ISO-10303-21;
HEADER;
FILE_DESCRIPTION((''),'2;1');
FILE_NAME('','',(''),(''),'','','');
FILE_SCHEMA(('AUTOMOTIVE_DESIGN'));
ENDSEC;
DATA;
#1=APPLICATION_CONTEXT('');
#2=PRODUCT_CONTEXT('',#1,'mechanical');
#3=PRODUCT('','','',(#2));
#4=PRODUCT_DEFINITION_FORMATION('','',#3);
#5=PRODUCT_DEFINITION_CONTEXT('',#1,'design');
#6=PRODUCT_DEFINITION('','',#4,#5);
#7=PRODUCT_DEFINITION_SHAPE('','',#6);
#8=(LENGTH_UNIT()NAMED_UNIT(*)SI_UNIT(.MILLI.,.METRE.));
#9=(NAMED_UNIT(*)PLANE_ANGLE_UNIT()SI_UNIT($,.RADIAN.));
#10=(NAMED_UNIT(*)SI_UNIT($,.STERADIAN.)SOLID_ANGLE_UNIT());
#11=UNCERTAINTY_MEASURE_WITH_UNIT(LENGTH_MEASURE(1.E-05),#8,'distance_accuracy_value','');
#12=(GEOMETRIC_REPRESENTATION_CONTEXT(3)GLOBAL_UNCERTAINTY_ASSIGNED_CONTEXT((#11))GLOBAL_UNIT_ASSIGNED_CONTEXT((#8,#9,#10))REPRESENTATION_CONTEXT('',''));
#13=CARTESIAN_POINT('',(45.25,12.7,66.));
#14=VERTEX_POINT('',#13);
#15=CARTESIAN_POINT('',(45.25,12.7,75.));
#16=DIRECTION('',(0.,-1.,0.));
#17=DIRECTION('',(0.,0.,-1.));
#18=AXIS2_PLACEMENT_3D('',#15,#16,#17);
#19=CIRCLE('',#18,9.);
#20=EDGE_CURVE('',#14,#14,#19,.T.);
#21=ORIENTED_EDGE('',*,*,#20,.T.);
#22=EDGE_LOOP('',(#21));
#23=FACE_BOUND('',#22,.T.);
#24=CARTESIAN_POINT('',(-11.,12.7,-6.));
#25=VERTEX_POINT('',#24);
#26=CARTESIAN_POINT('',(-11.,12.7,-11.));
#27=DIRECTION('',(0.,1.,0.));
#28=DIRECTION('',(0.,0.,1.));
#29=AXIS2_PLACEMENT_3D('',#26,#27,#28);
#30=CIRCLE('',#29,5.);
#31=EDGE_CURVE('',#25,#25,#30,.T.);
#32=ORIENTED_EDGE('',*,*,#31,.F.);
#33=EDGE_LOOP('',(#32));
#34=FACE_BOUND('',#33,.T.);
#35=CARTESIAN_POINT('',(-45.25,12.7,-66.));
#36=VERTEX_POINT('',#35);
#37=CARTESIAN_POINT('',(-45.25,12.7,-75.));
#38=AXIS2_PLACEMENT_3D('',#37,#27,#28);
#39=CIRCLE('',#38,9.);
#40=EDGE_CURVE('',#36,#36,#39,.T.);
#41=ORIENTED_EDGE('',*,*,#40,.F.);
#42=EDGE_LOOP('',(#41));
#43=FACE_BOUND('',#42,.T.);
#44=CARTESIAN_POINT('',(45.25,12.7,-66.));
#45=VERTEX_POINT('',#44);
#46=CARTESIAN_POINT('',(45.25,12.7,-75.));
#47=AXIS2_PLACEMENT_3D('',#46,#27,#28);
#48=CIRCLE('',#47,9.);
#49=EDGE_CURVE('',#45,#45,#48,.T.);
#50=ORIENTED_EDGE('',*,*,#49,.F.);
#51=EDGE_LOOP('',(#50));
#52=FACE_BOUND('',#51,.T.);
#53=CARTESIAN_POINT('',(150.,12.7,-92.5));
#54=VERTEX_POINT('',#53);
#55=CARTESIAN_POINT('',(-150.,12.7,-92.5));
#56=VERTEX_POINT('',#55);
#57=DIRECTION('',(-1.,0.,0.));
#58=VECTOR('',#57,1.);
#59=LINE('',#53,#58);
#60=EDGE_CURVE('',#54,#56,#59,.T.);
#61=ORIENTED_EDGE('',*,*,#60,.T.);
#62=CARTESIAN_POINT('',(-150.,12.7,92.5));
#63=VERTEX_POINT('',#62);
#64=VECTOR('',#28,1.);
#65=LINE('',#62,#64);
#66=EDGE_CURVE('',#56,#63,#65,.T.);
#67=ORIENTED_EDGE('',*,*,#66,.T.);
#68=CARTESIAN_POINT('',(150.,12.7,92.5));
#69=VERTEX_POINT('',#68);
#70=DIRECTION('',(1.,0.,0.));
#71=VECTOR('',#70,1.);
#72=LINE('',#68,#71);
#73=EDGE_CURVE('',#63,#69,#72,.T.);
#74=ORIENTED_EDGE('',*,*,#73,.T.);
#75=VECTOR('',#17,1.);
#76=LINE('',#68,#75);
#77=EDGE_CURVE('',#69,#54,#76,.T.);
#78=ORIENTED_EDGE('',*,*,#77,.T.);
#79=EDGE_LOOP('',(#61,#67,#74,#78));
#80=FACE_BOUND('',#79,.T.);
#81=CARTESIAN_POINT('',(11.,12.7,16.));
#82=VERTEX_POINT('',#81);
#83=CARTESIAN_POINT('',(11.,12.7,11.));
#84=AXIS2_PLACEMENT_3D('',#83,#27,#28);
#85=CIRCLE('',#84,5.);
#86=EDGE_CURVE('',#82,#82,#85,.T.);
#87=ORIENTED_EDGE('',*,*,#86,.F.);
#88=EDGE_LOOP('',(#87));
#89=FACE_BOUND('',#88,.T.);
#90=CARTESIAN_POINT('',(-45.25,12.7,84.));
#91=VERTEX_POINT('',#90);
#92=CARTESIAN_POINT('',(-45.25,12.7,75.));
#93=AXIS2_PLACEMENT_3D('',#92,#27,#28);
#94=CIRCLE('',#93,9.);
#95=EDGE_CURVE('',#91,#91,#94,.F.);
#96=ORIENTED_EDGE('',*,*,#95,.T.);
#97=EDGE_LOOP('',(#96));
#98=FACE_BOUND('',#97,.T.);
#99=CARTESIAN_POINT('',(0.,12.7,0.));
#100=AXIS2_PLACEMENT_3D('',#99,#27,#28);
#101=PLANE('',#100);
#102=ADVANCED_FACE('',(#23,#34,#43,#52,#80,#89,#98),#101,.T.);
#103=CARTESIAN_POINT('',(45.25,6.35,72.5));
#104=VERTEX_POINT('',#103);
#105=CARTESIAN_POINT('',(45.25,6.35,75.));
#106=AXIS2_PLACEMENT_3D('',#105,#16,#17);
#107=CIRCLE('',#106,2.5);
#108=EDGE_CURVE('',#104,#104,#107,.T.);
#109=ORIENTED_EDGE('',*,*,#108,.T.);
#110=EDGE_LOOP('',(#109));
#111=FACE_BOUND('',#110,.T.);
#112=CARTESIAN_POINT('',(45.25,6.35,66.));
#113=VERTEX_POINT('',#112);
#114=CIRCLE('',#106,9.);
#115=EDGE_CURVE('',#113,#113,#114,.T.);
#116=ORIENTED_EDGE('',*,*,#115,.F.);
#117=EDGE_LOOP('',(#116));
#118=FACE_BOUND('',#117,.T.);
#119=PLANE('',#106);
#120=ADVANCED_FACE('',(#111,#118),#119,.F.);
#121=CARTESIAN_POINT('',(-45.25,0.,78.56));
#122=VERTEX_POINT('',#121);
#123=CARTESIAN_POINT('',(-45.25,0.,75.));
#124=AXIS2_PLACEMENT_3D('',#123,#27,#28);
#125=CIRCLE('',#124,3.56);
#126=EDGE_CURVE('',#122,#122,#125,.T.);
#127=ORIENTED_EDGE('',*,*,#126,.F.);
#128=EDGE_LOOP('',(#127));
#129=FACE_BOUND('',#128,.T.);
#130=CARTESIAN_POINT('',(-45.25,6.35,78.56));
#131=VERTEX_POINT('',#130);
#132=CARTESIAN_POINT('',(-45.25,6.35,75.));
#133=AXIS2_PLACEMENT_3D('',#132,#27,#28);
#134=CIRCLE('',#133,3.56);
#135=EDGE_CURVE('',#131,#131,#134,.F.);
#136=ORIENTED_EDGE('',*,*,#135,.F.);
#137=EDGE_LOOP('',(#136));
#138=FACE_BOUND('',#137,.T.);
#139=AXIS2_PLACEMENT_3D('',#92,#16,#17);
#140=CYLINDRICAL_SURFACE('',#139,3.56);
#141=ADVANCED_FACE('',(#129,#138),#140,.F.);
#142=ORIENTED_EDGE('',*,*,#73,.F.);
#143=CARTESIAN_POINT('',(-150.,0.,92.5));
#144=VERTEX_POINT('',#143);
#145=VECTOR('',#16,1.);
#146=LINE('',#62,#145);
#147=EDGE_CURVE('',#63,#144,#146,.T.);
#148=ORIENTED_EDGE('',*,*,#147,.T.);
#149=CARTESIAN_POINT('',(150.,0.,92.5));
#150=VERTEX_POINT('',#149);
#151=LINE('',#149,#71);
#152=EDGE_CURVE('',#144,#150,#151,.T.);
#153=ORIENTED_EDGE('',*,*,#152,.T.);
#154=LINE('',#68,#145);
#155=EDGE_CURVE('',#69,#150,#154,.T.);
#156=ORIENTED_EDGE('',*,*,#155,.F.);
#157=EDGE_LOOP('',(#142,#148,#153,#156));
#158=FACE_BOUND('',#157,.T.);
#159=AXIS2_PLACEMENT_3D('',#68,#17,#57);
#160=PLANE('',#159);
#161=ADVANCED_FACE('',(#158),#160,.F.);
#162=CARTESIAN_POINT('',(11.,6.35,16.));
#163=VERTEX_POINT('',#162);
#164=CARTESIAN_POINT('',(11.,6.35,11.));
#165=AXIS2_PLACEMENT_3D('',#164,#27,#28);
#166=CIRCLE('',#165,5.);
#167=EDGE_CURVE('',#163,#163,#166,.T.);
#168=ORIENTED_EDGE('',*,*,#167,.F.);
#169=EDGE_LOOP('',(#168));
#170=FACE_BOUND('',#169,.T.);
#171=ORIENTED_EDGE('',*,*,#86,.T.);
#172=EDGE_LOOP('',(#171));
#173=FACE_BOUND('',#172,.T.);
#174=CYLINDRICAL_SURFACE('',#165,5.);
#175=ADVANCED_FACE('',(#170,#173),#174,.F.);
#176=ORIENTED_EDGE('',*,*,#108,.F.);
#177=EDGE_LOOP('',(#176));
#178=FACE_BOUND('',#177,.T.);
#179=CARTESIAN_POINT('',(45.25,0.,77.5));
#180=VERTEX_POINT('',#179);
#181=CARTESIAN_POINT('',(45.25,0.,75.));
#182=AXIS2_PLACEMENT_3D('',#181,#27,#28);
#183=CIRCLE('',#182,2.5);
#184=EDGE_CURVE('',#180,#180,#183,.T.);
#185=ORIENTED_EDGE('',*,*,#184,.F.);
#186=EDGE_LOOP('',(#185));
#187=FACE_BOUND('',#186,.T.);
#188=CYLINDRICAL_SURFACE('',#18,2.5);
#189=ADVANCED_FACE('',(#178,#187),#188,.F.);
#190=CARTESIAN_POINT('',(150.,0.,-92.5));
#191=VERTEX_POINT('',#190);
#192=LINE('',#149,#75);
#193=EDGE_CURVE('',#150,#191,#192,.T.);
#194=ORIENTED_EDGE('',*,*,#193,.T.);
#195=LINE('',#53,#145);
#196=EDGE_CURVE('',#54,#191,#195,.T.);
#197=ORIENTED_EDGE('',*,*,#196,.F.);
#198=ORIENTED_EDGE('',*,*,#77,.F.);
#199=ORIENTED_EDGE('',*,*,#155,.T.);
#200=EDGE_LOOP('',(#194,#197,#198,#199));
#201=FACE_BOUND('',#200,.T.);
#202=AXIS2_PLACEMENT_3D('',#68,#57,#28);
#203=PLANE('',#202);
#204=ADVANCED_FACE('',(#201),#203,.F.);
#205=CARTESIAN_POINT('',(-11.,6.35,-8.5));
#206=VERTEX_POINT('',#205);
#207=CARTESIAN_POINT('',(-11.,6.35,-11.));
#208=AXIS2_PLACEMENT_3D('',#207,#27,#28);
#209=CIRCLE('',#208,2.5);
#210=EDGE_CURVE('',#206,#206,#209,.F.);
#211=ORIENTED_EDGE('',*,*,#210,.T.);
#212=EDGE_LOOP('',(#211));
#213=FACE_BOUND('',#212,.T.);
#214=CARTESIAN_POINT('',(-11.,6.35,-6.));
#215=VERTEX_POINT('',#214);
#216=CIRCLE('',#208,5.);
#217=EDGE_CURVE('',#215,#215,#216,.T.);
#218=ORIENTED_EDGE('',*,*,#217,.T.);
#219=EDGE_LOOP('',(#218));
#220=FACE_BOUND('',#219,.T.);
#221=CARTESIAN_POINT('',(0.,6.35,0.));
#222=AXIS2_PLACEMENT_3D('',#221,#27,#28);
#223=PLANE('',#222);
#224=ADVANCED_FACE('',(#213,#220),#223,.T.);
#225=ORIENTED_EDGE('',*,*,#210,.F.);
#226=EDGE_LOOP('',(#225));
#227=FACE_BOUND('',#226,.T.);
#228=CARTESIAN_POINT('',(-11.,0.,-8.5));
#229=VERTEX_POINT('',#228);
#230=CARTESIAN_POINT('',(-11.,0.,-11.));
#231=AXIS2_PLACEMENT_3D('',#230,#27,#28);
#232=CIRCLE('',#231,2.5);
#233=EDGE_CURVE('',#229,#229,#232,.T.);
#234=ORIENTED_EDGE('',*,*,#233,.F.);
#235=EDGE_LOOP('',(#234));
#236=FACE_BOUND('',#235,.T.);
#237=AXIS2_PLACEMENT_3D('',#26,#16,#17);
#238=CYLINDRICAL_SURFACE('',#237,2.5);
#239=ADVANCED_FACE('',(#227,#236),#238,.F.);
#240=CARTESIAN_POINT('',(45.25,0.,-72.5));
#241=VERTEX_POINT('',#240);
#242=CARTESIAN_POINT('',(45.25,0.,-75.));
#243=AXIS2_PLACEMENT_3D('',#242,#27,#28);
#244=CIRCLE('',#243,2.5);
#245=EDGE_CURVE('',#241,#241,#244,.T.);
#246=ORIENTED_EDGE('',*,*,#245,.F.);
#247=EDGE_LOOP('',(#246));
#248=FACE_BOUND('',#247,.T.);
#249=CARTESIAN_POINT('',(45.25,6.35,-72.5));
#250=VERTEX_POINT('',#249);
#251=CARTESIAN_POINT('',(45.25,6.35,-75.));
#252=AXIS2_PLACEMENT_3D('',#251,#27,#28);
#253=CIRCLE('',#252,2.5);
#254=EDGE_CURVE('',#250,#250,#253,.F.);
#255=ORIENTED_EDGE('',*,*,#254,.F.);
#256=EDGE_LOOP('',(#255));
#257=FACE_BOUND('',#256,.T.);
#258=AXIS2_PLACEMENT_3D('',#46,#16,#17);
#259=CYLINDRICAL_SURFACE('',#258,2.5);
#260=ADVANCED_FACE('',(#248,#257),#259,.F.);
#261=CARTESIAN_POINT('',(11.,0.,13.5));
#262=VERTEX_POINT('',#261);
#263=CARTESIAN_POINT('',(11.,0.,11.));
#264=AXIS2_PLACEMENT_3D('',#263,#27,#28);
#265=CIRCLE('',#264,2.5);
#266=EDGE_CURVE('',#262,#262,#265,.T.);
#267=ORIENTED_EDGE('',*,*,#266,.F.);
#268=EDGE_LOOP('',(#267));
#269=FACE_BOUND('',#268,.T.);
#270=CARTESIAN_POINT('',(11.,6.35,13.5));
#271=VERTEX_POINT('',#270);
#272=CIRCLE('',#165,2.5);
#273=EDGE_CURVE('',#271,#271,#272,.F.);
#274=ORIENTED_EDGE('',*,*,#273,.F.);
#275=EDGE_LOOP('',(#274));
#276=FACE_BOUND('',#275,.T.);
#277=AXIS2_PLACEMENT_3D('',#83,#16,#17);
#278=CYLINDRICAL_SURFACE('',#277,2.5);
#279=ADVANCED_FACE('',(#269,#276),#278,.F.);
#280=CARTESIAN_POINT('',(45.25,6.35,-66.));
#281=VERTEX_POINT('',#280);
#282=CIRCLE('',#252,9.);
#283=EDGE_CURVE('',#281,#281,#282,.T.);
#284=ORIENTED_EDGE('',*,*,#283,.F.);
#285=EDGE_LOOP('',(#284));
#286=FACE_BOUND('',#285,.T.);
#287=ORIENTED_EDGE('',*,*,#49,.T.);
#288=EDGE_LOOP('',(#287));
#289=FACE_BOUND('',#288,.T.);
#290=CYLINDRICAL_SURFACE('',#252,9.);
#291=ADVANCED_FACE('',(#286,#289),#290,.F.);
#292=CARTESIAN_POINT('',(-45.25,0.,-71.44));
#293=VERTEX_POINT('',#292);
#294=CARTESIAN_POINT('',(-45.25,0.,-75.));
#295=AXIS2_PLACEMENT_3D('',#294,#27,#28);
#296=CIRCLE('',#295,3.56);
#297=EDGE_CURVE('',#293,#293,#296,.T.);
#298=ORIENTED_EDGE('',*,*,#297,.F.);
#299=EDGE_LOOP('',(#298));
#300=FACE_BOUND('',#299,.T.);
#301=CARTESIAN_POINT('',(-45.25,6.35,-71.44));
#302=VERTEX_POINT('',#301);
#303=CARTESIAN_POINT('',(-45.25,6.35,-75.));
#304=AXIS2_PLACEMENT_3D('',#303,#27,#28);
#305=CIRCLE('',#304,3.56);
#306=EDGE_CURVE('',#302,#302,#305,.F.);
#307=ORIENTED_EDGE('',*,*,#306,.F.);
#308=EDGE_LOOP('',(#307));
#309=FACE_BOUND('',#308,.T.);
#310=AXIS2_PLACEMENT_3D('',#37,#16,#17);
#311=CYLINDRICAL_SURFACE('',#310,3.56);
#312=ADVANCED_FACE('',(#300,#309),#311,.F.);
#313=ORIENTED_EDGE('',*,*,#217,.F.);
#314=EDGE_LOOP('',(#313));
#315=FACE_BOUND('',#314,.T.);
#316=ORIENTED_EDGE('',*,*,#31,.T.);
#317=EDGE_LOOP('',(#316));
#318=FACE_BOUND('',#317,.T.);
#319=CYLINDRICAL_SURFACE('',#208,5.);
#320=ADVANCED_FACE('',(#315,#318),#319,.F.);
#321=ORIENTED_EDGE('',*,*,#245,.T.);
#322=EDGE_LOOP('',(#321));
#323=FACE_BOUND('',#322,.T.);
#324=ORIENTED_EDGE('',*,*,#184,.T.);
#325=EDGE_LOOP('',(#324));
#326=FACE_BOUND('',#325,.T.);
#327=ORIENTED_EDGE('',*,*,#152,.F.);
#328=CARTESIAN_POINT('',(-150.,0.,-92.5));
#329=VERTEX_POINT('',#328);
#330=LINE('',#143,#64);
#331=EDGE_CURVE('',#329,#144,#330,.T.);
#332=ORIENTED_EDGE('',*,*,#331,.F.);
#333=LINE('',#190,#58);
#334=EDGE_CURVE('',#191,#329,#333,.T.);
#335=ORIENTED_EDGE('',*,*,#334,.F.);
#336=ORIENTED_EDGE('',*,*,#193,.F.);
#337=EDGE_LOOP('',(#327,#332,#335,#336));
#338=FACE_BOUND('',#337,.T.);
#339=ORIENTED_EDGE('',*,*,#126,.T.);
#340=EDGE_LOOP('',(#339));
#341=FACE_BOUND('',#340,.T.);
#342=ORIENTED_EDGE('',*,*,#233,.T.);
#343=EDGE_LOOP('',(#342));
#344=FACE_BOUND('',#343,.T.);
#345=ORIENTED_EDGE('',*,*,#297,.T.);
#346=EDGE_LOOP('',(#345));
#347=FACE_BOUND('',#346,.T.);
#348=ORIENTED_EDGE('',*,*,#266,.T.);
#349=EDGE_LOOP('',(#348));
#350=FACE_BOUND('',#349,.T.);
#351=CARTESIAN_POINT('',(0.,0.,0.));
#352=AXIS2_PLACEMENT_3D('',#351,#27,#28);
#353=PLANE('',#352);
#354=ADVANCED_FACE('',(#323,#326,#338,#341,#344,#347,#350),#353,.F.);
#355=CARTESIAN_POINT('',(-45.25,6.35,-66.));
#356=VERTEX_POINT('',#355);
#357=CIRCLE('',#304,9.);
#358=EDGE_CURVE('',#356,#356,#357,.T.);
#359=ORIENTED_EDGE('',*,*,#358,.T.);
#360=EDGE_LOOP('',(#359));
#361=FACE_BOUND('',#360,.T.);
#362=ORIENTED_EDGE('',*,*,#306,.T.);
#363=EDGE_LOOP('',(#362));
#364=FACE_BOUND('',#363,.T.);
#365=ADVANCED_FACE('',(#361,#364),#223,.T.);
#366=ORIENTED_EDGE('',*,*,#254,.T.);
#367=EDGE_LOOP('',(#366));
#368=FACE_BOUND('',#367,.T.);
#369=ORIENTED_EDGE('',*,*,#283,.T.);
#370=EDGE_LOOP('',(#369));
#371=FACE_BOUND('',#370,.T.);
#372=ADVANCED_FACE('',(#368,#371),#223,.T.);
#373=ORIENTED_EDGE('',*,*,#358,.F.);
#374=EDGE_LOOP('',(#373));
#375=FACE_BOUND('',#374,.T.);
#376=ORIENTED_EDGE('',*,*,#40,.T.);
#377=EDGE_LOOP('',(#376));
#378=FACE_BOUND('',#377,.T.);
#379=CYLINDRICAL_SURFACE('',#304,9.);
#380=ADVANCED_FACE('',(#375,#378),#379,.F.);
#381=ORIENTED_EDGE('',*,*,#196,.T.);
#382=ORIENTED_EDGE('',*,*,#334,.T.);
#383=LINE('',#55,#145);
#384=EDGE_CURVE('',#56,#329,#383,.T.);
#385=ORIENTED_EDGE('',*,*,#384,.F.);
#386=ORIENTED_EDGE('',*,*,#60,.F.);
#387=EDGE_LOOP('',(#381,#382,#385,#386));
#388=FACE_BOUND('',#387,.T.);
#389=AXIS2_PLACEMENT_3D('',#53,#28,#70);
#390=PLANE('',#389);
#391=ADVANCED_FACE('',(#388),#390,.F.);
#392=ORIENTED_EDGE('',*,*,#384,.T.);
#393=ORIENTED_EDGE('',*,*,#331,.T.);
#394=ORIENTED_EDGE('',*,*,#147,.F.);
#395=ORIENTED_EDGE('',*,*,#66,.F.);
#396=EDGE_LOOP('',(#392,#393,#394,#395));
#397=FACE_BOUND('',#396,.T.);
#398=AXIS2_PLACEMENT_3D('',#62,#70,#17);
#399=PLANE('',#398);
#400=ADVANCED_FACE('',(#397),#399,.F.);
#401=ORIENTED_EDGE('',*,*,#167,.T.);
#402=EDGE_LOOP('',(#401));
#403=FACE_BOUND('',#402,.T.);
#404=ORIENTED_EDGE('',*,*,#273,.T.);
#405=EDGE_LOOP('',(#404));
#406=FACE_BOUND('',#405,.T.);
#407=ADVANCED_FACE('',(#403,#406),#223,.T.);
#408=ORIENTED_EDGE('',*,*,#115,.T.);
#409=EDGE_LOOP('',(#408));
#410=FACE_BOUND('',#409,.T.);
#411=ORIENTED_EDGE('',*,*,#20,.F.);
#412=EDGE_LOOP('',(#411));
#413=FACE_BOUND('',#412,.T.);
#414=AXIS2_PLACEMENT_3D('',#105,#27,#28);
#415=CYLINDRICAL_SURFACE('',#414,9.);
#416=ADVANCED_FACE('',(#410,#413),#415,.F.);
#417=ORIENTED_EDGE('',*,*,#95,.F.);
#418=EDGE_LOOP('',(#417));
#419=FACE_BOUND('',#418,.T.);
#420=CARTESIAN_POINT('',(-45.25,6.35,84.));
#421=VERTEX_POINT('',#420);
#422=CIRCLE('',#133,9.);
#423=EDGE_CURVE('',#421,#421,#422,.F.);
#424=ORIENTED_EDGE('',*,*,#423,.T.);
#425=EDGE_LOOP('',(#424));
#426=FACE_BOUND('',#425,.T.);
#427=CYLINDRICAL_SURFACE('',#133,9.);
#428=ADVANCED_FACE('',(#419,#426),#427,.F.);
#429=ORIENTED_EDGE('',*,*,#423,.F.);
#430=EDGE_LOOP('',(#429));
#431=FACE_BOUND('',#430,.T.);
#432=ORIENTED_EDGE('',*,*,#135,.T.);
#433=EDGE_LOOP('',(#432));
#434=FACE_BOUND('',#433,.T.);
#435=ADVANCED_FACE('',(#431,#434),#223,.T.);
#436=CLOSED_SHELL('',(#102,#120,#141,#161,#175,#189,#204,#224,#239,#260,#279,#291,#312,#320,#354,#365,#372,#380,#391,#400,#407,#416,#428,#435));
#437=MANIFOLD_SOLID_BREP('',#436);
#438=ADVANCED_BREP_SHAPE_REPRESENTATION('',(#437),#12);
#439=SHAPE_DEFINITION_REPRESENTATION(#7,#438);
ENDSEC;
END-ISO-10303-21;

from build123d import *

# Parameters (mm, degrees)
SKETCH1_W           = 300
SKETCH1_H           = 185
SKETCH1_R           = 3.56
SKETCH1_R_2         = 2.5
BOSS_EXTRUDE1_DEPTH = 12.7
CUT_EXTRUDE1_START  = -6.35
SKETCH2_R           = 9
SKETCH2_R_2         = 3.56
SKETCH2_R_3         = 2.5
SKETCH2_R_4         = 5
CUT_EXTRUDE1_DEPTH  = 6.35


with BuildPart() as part:
    # Sketch1 → Boss-Extrude1 (new body)
    with BuildSketch(Plane(origin=(0, 0, 0), x_dir=(1, 0, 0), z_dir=(0, 1, 0))):
        Rectangle(SKETCH1_W, SKETCH1_H)
        with Locations(Location((-45.25, 75, 0), (0, 0, 270))):
            Circle(SKETCH1_R, mode=Mode.SUBTRACT)
        with Locations(Location((-45.25, -75, 0), (0, 0, 270))):
            Circle(SKETCH1_R, mode=Mode.SUBTRACT)
        with Locations(Location((45.25, 75, 0), (0, 0, 270))):
            Circle(SKETCH1_R_2, mode=Mode.SUBTRACT)
        with Locations(Location((45.25, -75, 0), (0, 0, 270))):
            Circle(SKETCH1_R_2, mode=Mode.SUBTRACT)
        with Locations(Location((-11, 11, 0), (0, 0, 270))):
            Circle(SKETCH1_R_2, mode=Mode.SUBTRACT)
        with Locations(Location((11, -11, 0), (0, 0, 270))):
            Circle(SKETCH1_R_2, mode=Mode.SUBTRACT)
    extrude(amount=BOSS_EXTRUDE1_DEPTH)

    # Sketch2 → Cut-Extrude1 (cut)
    # profile 1 of 6: a face of its own
    with BuildSketch(Plane(origin=(0, 12.7, 0), x_dir=(1, 0, 0), z_dir=(0, 1, 0)).offset(CUT_EXTRUDE1_START)):
        with Locations(Location((-45.25, 75, 0), (0, 0, 270))):
            Circle(SKETCH2_R)
        with Locations(Location((-45.25, 75, 0), (0, 0, 270))):
            Circle(SKETCH2_R_2, mode=Mode.SUBTRACT)
    # profile 2 of 6: a face of its own
    with BuildSketch(Plane(origin=(0, 12.7, 0), x_dir=(1, 0, 0), z_dir=(0, 1, 0)).offset(CUT_EXTRUDE1_START)):
        with Locations(Location((45.25, 75, 0), (0, 0, 270))):
            Circle(SKETCH2_R)
        with Locations(Location((45.25, 75, 0), (0, 0, 270))):
            Circle(SKETCH2_R_3, mode=Mode.SUBTRACT)
    # profile 3 of 6: a face of its own
    with BuildSketch(Plane(origin=(0, 12.7, 0), x_dir=(1, 0, 0), z_dir=(0, 1, 0)).offset(CUT_EXTRUDE1_START)):
        with Locations(Location((45.25, -75, 0), (0, 0, 90))):
            Circle(SKETCH2_R)
        with Locations(Location((45.25, -75, 0), (0, 0, 90))):
            Circle(SKETCH2_R_3, mode=Mode.SUBTRACT)
    # profile 4 of 6: a face of its own
    with BuildSketch(Plane(origin=(0, 12.7, 0), x_dir=(1, 0, 0), z_dir=(0, 1, 0)).offset(CUT_EXTRUDE1_START)):
        with Locations(Location((-45.25, -75, 0), (0, 0, 270))):
            Circle(SKETCH2_R)
        with Locations(Location((-45.25, -75, 0), (0, 0, 270))):
            Circle(SKETCH2_R_2, mode=Mode.SUBTRACT)
    # profile 5 of 6: a face of its own
    with BuildSketch(Plane(origin=(0, 12.7, 0), x_dir=(1, 0, 0), z_dir=(0, 1, 0)).offset(CUT_EXTRUDE1_START)):
        with Locations(Location((-11, 11, 0), (0, 0, 270))):
            Circle(SKETCH2_R_4)
        with Locations(Location((-11, 11, 0), (0, 0, 270))):
            Circle(SKETCH2_R_3, mode=Mode.SUBTRACT)
    # profile 6 of 6: a face of its own
    with BuildSketch(Plane(origin=(0, 12.7, 0), x_dir=(1, 0, 0), z_dir=(0, 1, 0)).offset(CUT_EXTRUDE1_START)):
        with Locations(Location((11, -11, 0), (0, 0, 270))):
            Circle(SKETCH2_R_4)
        with Locations(Location((11, -11, 0), (0, 0, 270))):
            Circle(SKETCH2_R_3, mode=Mode.SUBTRACT)
    extrude(amount=CUT_EXTRUDE1_DEPTH, mode=Mode.SUBTRACT)


solid = part.part
